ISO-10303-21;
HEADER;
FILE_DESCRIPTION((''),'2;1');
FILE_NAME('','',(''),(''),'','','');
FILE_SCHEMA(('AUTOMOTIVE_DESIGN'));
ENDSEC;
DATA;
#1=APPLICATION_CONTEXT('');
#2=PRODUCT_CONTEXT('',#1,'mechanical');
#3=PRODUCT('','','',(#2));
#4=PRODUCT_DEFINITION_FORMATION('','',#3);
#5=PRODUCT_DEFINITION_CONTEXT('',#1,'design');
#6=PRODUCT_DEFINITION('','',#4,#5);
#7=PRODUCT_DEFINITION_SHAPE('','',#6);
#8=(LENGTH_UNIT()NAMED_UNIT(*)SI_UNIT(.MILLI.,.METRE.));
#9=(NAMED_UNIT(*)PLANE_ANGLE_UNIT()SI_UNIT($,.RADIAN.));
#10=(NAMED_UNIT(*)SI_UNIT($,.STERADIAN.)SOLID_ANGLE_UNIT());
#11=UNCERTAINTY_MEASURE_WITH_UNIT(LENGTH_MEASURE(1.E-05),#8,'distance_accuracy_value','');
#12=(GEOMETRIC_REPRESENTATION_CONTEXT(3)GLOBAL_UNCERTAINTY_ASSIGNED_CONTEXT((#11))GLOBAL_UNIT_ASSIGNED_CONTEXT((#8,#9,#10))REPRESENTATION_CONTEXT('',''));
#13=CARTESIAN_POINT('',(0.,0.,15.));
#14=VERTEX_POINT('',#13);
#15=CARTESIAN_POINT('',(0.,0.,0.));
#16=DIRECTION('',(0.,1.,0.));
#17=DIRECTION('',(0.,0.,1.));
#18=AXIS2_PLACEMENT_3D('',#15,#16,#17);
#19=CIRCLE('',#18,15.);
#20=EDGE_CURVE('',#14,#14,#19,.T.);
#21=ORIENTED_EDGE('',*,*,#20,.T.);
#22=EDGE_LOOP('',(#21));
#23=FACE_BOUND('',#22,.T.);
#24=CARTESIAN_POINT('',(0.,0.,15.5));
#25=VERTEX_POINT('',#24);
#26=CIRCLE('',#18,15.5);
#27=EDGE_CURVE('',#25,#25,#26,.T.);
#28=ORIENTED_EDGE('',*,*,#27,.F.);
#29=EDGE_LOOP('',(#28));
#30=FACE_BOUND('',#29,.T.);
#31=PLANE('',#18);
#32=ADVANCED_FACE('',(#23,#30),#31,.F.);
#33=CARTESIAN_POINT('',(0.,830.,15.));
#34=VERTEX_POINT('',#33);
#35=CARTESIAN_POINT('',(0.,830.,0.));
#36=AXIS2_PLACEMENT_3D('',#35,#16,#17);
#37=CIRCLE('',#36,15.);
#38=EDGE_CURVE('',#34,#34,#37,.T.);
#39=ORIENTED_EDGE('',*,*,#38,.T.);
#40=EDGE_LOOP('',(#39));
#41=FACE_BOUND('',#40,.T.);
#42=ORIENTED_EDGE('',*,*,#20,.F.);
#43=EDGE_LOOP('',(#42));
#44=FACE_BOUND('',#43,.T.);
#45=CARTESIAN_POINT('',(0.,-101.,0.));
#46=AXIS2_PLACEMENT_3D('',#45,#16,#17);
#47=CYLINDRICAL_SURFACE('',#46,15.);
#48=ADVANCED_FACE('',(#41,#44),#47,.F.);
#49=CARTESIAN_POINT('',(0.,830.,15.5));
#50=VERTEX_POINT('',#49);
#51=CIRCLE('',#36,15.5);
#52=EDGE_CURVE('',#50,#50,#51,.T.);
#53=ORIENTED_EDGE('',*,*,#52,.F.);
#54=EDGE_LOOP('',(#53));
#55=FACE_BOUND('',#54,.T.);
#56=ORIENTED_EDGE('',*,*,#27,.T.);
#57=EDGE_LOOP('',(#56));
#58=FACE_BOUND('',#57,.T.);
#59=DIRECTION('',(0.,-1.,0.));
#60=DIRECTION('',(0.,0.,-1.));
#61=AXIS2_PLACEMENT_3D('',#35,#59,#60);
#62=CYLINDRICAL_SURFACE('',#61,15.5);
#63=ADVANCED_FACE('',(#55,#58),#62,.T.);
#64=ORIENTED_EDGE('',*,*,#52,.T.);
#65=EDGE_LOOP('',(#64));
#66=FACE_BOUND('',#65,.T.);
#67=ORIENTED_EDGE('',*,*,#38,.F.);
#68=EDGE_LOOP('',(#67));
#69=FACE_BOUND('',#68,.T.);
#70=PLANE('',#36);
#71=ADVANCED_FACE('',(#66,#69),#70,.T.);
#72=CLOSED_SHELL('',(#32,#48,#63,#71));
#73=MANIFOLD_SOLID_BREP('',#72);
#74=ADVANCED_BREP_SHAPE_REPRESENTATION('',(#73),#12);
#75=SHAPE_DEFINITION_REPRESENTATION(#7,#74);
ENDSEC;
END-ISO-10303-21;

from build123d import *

# Parameters (mm, degrees)
SKETCH1_R           = 15.5
BOSS_EXTRUDE1_DEPTH = 830
SKETCH3_R           = 15
CUT_EXTRUDE2_DEPTH  = 931


with BuildPart() as part:
    # Sketch1 → Boss-Extrude1 (new body)
    with BuildSketch(Plane(origin=(0, 0, 0), x_dir=(1, 0, 0), z_dir=(0, 1, 0))):
        with Locations(Location((0, 0, 0), (0, 0, 270))):
            Circle(SKETCH1_R)
    extrude(amount=BOSS_EXTRUDE1_DEPTH)

    # Sketch3 → Cut-Extrude2 (cut)
    with BuildSketch(Plane(origin=(0, 830, 0), x_dir=(1, 0, 0), z_dir=(0, 1, 0))):
        with Locations(Location((0, 0, 0), (0, 0, 270))):
            Circle(SKETCH3_R)
    extrude(amount=-CUT_EXTRUDE2_DEPTH, mode=Mode.SUBTRACT)


solid = part.part
